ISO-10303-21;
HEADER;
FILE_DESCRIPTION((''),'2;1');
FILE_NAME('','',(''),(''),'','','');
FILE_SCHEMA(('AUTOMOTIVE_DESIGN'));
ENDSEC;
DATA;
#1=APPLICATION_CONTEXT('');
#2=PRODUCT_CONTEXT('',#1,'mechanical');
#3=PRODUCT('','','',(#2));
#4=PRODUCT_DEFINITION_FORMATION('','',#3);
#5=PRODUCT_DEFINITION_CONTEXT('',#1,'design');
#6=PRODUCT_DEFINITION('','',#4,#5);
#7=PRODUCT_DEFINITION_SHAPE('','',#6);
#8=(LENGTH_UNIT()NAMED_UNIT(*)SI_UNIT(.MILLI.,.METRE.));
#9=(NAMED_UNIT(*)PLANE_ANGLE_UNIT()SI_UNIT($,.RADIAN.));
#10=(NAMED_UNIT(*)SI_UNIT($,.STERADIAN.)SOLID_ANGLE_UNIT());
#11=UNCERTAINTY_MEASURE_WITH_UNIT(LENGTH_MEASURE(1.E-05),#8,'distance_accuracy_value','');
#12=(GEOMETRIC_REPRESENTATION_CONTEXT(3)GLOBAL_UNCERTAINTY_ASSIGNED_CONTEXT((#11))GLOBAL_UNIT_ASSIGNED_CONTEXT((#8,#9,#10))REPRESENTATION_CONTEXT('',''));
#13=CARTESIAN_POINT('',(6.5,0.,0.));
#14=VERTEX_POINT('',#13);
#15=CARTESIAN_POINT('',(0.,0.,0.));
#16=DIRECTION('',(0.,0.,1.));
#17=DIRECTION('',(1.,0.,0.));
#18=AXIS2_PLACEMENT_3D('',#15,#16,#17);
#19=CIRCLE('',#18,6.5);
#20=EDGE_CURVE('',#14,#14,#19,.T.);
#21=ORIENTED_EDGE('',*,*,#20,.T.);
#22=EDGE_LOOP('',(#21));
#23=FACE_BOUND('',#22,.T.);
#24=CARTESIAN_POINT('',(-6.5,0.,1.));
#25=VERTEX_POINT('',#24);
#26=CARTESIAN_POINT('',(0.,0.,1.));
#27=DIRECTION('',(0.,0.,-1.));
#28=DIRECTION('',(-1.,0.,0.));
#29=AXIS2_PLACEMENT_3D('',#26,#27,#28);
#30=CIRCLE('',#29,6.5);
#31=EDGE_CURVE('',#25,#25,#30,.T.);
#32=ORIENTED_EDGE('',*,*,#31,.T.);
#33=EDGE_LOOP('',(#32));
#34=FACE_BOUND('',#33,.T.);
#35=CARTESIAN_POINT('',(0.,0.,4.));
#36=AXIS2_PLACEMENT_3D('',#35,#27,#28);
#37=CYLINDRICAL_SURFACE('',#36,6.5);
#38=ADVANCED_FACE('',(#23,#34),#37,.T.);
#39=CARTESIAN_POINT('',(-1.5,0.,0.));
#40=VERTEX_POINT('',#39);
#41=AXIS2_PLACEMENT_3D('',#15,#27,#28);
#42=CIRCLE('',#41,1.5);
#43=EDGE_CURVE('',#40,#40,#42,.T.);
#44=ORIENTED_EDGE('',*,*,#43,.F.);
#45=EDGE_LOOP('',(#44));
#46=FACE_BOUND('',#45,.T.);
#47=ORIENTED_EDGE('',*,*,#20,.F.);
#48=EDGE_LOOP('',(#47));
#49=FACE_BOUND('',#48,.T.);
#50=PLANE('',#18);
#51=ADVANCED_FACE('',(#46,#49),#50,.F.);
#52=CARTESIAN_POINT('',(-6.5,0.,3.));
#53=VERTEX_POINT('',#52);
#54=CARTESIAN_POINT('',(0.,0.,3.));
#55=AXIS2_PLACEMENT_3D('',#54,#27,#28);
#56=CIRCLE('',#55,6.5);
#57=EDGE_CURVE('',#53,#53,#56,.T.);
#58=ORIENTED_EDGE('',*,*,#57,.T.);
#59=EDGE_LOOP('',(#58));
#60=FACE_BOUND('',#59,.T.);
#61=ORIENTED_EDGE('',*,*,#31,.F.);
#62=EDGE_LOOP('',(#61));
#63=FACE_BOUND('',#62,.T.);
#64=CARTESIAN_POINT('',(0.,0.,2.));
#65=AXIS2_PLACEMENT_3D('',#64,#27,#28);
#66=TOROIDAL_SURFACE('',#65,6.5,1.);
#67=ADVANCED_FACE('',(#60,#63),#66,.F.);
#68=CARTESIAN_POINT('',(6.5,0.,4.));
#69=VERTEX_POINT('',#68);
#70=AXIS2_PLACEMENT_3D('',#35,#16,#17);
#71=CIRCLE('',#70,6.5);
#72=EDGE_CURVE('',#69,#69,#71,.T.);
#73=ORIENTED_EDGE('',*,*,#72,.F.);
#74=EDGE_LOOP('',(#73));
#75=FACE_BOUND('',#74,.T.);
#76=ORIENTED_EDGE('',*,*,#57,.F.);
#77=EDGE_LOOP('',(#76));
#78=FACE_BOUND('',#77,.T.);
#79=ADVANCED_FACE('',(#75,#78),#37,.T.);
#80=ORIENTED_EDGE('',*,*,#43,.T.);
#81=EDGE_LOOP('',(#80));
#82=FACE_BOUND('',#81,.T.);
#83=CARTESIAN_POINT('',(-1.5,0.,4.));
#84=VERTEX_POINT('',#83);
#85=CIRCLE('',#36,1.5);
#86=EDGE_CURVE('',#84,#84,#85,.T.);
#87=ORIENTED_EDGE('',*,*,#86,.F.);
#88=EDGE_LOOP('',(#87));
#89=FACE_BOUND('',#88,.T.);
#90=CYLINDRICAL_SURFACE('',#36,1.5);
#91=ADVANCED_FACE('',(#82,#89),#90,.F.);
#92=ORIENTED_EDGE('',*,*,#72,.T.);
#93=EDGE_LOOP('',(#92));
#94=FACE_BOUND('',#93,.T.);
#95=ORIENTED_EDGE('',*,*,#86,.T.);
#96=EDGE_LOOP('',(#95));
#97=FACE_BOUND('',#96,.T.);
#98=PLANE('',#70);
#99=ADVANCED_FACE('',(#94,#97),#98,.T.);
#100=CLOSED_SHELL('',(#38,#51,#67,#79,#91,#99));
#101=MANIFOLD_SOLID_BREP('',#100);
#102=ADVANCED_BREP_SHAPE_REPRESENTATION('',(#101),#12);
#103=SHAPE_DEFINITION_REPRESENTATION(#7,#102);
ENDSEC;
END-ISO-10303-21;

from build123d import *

# Parameters (mm, degrees)
SKETCH1_R           = 6.5
BOSS_EXTRUDE1_DEPTH = 4
SKETCH5_R           = 1.5
CUT_EXTRUDE1_DEPTH  = 4


with BuildPart() as part:
    # Sketch1 → Boss-Extrude1 (new body)
    with BuildSketch(Plane.XY):
        Circle(SKETCH1_R)
    extrude(amount=BOSS_EXTRUDE1_DEPTH)

    # Sketch4 → Cut-Revolve1 (revolve, cut)
    with BuildSketch(Plane(origin=(0, 0, 0), x_dir=(0, -1, 0), z_dir=(1, 0, 0)), mode=Mode.PRIVATE) as cut_revolve1_sk:
        with BuildLine():
            Line((6.5, -1), (6.5, -3))
            ThreePointArc((6.5, -3), (5.5, -2), (6.5, -1))
        make_face()
    revolve(cut_revolve1_sk.sketch.rotate(Axis((0, 0, 0), (0, 0, 1)), 270), axis=Axis((0, 0, 0), (0, 0, 1)), mode=Mode.SUBTRACT)

    # Sketch5 → Cut-Extrude1 (cut)
    with BuildSketch(Plane(origin=(0, 0, 0), x_dir=(-1, 0, 0), z_dir=(0, 0, -1))):
        Circle(SKETCH5_R)
    extrude(amount=-CUT_EXTRUDE1_DEPTH, mode=Mode.SUBTRACT)


solid = part.part
